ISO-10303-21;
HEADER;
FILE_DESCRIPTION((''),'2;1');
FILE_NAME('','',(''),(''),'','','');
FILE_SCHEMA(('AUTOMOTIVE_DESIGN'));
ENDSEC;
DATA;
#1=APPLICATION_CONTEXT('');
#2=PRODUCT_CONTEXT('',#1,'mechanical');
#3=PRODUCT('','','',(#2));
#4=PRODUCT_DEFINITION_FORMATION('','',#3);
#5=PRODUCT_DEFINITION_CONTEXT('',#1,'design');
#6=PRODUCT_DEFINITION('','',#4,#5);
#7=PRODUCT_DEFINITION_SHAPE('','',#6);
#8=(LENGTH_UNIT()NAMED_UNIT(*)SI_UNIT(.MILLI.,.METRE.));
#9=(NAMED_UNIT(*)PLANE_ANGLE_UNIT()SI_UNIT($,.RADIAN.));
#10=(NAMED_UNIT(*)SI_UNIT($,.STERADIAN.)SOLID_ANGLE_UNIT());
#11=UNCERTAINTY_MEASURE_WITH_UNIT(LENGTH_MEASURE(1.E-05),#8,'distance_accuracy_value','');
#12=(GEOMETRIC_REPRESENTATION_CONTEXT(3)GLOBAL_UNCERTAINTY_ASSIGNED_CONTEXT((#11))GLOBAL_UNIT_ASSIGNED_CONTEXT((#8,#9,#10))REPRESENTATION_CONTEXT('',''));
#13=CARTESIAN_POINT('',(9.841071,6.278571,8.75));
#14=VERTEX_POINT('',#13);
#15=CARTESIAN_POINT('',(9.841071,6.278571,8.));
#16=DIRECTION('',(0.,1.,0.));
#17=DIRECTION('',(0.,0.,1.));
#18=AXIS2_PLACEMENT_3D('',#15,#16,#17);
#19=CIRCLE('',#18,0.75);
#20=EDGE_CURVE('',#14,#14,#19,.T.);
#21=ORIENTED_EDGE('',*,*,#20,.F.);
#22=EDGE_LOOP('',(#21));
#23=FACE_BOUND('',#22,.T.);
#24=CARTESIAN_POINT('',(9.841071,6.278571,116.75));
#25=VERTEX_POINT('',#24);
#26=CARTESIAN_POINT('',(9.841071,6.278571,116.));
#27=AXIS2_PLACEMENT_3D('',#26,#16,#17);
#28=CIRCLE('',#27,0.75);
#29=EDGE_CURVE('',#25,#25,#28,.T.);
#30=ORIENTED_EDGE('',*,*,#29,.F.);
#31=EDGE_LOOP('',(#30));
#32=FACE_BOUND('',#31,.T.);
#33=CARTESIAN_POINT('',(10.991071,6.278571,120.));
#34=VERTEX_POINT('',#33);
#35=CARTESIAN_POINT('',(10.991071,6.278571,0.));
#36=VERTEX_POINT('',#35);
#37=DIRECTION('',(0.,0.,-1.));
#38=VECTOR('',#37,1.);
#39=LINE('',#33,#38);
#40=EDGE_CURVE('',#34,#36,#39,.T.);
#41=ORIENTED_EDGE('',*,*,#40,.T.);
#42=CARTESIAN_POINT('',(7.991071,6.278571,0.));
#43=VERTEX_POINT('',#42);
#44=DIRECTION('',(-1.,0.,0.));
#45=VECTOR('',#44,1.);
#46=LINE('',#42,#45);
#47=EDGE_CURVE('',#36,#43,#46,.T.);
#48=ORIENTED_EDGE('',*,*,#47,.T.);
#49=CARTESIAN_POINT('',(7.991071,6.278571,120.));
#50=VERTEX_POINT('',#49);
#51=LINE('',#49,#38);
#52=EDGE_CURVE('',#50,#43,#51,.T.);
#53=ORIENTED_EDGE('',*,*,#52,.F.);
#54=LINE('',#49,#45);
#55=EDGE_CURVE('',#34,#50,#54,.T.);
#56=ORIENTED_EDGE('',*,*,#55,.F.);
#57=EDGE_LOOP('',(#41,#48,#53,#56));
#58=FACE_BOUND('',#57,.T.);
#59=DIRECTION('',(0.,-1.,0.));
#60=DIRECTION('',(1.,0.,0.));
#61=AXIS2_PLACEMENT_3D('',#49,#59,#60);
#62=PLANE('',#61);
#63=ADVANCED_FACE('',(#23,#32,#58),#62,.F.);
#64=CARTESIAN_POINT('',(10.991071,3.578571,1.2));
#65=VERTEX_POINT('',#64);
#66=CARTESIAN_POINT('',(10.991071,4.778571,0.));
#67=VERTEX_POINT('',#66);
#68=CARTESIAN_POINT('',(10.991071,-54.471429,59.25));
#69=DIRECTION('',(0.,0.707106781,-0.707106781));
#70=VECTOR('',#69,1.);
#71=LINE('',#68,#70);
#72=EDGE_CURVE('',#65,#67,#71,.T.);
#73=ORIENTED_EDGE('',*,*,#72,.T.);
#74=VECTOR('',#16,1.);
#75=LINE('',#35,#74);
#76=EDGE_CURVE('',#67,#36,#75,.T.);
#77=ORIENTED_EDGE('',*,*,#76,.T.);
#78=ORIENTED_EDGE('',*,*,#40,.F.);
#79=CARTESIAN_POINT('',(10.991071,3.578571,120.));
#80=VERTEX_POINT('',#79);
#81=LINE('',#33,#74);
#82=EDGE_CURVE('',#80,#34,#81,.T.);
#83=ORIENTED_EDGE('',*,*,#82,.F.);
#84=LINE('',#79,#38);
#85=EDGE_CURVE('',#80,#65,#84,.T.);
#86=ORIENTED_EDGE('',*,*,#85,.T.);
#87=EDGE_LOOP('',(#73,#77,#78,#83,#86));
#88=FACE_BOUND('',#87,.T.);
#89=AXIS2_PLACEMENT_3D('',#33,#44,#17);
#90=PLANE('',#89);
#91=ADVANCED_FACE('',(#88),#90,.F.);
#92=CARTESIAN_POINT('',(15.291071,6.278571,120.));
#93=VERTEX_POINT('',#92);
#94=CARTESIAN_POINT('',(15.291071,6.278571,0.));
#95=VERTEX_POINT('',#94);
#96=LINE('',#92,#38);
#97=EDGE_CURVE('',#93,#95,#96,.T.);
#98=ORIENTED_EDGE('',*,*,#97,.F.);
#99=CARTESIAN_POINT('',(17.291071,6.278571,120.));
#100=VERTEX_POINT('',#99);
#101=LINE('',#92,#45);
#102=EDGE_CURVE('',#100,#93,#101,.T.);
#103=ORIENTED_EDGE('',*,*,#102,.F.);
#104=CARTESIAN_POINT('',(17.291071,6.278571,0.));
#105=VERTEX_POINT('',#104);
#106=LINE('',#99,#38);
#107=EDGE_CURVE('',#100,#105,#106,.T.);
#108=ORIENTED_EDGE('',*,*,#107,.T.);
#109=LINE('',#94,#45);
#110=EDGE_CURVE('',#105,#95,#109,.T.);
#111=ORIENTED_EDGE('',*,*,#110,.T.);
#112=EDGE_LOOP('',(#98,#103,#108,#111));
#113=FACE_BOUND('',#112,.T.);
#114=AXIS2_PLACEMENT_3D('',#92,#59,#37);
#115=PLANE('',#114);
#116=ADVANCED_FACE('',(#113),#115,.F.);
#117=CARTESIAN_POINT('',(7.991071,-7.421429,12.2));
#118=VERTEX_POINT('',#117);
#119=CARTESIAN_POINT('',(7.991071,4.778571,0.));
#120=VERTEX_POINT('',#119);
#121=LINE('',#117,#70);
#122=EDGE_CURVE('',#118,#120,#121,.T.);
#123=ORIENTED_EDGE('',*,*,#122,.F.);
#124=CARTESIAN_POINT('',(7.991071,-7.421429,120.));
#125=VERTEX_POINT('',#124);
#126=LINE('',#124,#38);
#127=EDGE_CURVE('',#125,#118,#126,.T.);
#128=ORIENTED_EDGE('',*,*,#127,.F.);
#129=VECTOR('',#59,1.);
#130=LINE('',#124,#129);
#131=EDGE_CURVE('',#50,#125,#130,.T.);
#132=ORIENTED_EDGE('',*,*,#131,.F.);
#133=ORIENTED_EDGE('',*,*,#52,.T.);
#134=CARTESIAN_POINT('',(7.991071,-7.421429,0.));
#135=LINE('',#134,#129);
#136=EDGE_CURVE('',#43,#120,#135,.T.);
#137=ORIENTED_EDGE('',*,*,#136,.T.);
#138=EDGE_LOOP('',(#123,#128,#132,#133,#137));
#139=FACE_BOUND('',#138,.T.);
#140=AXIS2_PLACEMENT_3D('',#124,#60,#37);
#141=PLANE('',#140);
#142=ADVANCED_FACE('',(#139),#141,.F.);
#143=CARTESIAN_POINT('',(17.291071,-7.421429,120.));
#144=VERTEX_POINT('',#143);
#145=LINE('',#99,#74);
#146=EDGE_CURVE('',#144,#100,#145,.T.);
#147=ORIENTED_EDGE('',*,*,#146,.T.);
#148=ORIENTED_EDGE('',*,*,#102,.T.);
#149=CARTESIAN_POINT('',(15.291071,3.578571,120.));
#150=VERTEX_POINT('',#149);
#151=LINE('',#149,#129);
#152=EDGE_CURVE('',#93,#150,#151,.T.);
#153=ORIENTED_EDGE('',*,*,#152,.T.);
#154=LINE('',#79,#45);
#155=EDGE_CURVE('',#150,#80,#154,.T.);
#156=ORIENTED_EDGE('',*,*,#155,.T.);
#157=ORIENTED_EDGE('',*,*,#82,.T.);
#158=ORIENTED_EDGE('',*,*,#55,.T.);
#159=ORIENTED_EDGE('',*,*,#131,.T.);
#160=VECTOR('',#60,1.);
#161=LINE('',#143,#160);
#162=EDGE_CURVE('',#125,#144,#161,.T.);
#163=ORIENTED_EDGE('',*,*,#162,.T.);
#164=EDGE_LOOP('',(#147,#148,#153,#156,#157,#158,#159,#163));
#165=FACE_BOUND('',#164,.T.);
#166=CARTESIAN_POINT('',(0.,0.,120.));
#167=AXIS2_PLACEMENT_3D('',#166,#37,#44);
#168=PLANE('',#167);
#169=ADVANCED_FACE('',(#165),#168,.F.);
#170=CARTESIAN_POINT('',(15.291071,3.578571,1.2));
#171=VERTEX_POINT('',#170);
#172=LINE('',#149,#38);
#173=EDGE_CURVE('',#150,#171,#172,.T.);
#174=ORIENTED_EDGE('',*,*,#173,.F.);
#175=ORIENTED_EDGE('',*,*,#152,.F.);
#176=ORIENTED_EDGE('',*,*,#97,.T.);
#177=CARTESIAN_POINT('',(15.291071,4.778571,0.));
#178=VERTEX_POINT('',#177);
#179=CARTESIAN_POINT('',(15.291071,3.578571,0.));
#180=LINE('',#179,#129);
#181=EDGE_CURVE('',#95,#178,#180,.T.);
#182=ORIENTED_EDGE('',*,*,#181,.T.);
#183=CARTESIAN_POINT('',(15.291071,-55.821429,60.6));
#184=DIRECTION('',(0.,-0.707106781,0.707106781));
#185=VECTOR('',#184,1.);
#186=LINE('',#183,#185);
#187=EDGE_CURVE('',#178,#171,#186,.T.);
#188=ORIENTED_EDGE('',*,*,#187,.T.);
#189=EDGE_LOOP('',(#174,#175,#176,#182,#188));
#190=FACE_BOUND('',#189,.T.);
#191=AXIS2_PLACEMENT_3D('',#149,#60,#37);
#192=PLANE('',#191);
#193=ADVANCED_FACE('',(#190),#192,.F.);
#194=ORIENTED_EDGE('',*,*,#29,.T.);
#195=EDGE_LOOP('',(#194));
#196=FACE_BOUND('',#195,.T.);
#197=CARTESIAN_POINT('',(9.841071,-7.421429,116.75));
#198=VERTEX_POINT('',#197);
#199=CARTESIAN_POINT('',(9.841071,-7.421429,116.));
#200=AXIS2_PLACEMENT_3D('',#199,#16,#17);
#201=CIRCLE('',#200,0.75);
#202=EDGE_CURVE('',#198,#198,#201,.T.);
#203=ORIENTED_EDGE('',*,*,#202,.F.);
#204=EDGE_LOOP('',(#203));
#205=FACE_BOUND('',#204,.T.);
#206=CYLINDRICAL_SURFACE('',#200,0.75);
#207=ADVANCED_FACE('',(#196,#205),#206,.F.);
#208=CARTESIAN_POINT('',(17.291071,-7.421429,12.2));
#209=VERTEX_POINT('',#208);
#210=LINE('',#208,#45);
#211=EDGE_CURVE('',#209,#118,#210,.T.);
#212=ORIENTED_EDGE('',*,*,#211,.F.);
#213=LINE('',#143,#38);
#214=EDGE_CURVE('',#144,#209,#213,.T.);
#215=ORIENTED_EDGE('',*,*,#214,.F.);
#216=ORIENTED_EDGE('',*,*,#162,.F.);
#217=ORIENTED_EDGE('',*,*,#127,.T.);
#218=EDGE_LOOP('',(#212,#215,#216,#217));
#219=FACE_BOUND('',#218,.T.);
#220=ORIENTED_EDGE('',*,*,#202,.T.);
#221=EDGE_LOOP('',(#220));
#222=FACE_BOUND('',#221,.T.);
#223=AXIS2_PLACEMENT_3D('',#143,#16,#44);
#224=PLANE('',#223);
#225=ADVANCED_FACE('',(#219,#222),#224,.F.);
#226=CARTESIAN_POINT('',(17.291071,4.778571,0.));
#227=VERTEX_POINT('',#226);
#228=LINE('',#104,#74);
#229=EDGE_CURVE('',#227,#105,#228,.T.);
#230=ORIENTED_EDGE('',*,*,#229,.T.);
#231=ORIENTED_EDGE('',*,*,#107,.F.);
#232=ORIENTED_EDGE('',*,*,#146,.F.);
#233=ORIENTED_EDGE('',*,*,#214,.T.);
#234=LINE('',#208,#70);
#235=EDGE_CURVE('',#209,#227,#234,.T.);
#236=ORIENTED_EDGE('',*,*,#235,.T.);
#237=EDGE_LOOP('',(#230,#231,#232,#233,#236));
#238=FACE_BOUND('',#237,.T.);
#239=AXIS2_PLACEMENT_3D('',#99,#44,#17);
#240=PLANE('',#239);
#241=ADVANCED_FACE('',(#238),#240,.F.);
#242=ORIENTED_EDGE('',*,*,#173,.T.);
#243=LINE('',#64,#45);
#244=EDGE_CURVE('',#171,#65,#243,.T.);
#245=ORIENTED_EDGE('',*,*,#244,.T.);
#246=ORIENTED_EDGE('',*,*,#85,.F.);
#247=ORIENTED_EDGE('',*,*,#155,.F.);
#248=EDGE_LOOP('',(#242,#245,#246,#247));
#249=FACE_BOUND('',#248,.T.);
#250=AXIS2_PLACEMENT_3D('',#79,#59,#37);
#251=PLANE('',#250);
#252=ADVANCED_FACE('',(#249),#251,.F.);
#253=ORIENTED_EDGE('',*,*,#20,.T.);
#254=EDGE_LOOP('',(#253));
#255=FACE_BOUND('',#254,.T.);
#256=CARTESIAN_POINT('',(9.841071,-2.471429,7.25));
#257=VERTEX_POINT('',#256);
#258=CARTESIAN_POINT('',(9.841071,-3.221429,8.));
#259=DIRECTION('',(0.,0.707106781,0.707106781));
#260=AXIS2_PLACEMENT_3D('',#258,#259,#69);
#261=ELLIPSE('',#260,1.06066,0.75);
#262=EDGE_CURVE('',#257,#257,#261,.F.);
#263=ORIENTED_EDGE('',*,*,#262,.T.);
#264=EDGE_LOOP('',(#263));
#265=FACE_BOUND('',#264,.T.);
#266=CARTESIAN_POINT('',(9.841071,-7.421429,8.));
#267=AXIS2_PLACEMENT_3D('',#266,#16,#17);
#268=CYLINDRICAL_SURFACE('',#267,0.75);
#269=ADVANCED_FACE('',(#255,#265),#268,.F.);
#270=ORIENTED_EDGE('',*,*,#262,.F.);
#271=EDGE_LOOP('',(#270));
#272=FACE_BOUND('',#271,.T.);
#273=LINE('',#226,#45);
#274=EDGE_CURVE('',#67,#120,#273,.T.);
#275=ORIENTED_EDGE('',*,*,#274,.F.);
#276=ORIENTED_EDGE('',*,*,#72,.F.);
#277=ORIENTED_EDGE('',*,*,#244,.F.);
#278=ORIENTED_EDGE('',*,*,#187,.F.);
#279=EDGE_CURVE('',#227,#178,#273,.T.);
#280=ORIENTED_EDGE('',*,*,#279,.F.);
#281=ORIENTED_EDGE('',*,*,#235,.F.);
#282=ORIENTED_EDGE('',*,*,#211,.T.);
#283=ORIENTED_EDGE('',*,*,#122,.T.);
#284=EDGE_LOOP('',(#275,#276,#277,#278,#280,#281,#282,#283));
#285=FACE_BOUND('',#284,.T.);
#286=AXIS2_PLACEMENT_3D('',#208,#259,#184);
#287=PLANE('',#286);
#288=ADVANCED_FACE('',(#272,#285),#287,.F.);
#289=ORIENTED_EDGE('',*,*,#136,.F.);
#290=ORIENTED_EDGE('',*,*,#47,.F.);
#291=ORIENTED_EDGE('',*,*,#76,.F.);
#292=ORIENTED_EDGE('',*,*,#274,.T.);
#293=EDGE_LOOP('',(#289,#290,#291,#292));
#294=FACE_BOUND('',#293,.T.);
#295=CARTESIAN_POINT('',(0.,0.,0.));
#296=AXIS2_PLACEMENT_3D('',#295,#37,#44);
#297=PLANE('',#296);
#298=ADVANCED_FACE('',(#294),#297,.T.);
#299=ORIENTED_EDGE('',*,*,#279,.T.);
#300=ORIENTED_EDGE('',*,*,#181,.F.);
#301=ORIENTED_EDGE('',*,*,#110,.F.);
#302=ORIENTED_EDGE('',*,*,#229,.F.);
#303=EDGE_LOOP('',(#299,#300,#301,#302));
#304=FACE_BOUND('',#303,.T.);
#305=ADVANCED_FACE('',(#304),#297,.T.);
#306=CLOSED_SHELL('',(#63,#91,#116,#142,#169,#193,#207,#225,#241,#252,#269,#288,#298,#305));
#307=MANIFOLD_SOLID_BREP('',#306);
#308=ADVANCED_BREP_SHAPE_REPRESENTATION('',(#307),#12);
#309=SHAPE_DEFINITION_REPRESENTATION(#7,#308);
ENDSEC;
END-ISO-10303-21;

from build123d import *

# Parameters (mm, degrees)
RAIL_EXTRUDE_DEPTH = 120
SKETCH2_R          = 0.75
FIRST_HOLE_DEPTH   = 123.01094685
SKETCH3_R          = 0.75
LAST_HOLE_DEPTH    = 123.01094685
ANGLE_DEPTH        = 121.588422338


with BuildPart() as part:
    # Sketch1 → Rail-Extrude (new body)
    with BuildSketch(Plane.XY):
        Polygon((7.991071429, 6.278571429), (10.991071429, 6.278571429), (10.991071429, 3.578571429), (15.291071429, 3.578571429), (15.291071429, 6.278571429), (17.291071429, 6.278571429), (17.291071429, -7.421428571), (7.991071429, -7.421428571), align=None)
    extrude(amount=RAIL_EXTRUDE_DEPTH)

    # Sketch2 → First Hole (cut, through all)
    with BuildSketch(Plane(origin=(0, 6.278571429, 0), x_dir=(1, 0, 0), z_dir=(0, 1, 0))):
        with Locations((9.841071429, -8)):
            Circle(SKETCH2_R)
    extrude(amount=-FIRST_HOLE_DEPTH, mode=Mode.SUBTRACT)

    # Sketch3 → Last Hole (cut, through all)
    with BuildSketch(Plane(origin=(0, 6.278571429, 0), x_dir=(1, 0, 0), z_dir=(0, 1, 0))):
        with Locations((9.841071429, -116)):
            Circle(SKETCH3_R)
    extrude(amount=-LAST_HOLE_DEPTH, mode=Mode.SUBTRACT)

    # Sketch5 → Angle (cut, through all)
    with BuildSketch(Plane.ZY.offset(-7.991071429)):
        Polygon((12.2, -7.421428571), (0, 4.778571429), (0, -7.421428571), align=None)
    extrude(amount=-ANGLE_DEPTH, mode=Mode.SUBTRACT)


solid = part.part
